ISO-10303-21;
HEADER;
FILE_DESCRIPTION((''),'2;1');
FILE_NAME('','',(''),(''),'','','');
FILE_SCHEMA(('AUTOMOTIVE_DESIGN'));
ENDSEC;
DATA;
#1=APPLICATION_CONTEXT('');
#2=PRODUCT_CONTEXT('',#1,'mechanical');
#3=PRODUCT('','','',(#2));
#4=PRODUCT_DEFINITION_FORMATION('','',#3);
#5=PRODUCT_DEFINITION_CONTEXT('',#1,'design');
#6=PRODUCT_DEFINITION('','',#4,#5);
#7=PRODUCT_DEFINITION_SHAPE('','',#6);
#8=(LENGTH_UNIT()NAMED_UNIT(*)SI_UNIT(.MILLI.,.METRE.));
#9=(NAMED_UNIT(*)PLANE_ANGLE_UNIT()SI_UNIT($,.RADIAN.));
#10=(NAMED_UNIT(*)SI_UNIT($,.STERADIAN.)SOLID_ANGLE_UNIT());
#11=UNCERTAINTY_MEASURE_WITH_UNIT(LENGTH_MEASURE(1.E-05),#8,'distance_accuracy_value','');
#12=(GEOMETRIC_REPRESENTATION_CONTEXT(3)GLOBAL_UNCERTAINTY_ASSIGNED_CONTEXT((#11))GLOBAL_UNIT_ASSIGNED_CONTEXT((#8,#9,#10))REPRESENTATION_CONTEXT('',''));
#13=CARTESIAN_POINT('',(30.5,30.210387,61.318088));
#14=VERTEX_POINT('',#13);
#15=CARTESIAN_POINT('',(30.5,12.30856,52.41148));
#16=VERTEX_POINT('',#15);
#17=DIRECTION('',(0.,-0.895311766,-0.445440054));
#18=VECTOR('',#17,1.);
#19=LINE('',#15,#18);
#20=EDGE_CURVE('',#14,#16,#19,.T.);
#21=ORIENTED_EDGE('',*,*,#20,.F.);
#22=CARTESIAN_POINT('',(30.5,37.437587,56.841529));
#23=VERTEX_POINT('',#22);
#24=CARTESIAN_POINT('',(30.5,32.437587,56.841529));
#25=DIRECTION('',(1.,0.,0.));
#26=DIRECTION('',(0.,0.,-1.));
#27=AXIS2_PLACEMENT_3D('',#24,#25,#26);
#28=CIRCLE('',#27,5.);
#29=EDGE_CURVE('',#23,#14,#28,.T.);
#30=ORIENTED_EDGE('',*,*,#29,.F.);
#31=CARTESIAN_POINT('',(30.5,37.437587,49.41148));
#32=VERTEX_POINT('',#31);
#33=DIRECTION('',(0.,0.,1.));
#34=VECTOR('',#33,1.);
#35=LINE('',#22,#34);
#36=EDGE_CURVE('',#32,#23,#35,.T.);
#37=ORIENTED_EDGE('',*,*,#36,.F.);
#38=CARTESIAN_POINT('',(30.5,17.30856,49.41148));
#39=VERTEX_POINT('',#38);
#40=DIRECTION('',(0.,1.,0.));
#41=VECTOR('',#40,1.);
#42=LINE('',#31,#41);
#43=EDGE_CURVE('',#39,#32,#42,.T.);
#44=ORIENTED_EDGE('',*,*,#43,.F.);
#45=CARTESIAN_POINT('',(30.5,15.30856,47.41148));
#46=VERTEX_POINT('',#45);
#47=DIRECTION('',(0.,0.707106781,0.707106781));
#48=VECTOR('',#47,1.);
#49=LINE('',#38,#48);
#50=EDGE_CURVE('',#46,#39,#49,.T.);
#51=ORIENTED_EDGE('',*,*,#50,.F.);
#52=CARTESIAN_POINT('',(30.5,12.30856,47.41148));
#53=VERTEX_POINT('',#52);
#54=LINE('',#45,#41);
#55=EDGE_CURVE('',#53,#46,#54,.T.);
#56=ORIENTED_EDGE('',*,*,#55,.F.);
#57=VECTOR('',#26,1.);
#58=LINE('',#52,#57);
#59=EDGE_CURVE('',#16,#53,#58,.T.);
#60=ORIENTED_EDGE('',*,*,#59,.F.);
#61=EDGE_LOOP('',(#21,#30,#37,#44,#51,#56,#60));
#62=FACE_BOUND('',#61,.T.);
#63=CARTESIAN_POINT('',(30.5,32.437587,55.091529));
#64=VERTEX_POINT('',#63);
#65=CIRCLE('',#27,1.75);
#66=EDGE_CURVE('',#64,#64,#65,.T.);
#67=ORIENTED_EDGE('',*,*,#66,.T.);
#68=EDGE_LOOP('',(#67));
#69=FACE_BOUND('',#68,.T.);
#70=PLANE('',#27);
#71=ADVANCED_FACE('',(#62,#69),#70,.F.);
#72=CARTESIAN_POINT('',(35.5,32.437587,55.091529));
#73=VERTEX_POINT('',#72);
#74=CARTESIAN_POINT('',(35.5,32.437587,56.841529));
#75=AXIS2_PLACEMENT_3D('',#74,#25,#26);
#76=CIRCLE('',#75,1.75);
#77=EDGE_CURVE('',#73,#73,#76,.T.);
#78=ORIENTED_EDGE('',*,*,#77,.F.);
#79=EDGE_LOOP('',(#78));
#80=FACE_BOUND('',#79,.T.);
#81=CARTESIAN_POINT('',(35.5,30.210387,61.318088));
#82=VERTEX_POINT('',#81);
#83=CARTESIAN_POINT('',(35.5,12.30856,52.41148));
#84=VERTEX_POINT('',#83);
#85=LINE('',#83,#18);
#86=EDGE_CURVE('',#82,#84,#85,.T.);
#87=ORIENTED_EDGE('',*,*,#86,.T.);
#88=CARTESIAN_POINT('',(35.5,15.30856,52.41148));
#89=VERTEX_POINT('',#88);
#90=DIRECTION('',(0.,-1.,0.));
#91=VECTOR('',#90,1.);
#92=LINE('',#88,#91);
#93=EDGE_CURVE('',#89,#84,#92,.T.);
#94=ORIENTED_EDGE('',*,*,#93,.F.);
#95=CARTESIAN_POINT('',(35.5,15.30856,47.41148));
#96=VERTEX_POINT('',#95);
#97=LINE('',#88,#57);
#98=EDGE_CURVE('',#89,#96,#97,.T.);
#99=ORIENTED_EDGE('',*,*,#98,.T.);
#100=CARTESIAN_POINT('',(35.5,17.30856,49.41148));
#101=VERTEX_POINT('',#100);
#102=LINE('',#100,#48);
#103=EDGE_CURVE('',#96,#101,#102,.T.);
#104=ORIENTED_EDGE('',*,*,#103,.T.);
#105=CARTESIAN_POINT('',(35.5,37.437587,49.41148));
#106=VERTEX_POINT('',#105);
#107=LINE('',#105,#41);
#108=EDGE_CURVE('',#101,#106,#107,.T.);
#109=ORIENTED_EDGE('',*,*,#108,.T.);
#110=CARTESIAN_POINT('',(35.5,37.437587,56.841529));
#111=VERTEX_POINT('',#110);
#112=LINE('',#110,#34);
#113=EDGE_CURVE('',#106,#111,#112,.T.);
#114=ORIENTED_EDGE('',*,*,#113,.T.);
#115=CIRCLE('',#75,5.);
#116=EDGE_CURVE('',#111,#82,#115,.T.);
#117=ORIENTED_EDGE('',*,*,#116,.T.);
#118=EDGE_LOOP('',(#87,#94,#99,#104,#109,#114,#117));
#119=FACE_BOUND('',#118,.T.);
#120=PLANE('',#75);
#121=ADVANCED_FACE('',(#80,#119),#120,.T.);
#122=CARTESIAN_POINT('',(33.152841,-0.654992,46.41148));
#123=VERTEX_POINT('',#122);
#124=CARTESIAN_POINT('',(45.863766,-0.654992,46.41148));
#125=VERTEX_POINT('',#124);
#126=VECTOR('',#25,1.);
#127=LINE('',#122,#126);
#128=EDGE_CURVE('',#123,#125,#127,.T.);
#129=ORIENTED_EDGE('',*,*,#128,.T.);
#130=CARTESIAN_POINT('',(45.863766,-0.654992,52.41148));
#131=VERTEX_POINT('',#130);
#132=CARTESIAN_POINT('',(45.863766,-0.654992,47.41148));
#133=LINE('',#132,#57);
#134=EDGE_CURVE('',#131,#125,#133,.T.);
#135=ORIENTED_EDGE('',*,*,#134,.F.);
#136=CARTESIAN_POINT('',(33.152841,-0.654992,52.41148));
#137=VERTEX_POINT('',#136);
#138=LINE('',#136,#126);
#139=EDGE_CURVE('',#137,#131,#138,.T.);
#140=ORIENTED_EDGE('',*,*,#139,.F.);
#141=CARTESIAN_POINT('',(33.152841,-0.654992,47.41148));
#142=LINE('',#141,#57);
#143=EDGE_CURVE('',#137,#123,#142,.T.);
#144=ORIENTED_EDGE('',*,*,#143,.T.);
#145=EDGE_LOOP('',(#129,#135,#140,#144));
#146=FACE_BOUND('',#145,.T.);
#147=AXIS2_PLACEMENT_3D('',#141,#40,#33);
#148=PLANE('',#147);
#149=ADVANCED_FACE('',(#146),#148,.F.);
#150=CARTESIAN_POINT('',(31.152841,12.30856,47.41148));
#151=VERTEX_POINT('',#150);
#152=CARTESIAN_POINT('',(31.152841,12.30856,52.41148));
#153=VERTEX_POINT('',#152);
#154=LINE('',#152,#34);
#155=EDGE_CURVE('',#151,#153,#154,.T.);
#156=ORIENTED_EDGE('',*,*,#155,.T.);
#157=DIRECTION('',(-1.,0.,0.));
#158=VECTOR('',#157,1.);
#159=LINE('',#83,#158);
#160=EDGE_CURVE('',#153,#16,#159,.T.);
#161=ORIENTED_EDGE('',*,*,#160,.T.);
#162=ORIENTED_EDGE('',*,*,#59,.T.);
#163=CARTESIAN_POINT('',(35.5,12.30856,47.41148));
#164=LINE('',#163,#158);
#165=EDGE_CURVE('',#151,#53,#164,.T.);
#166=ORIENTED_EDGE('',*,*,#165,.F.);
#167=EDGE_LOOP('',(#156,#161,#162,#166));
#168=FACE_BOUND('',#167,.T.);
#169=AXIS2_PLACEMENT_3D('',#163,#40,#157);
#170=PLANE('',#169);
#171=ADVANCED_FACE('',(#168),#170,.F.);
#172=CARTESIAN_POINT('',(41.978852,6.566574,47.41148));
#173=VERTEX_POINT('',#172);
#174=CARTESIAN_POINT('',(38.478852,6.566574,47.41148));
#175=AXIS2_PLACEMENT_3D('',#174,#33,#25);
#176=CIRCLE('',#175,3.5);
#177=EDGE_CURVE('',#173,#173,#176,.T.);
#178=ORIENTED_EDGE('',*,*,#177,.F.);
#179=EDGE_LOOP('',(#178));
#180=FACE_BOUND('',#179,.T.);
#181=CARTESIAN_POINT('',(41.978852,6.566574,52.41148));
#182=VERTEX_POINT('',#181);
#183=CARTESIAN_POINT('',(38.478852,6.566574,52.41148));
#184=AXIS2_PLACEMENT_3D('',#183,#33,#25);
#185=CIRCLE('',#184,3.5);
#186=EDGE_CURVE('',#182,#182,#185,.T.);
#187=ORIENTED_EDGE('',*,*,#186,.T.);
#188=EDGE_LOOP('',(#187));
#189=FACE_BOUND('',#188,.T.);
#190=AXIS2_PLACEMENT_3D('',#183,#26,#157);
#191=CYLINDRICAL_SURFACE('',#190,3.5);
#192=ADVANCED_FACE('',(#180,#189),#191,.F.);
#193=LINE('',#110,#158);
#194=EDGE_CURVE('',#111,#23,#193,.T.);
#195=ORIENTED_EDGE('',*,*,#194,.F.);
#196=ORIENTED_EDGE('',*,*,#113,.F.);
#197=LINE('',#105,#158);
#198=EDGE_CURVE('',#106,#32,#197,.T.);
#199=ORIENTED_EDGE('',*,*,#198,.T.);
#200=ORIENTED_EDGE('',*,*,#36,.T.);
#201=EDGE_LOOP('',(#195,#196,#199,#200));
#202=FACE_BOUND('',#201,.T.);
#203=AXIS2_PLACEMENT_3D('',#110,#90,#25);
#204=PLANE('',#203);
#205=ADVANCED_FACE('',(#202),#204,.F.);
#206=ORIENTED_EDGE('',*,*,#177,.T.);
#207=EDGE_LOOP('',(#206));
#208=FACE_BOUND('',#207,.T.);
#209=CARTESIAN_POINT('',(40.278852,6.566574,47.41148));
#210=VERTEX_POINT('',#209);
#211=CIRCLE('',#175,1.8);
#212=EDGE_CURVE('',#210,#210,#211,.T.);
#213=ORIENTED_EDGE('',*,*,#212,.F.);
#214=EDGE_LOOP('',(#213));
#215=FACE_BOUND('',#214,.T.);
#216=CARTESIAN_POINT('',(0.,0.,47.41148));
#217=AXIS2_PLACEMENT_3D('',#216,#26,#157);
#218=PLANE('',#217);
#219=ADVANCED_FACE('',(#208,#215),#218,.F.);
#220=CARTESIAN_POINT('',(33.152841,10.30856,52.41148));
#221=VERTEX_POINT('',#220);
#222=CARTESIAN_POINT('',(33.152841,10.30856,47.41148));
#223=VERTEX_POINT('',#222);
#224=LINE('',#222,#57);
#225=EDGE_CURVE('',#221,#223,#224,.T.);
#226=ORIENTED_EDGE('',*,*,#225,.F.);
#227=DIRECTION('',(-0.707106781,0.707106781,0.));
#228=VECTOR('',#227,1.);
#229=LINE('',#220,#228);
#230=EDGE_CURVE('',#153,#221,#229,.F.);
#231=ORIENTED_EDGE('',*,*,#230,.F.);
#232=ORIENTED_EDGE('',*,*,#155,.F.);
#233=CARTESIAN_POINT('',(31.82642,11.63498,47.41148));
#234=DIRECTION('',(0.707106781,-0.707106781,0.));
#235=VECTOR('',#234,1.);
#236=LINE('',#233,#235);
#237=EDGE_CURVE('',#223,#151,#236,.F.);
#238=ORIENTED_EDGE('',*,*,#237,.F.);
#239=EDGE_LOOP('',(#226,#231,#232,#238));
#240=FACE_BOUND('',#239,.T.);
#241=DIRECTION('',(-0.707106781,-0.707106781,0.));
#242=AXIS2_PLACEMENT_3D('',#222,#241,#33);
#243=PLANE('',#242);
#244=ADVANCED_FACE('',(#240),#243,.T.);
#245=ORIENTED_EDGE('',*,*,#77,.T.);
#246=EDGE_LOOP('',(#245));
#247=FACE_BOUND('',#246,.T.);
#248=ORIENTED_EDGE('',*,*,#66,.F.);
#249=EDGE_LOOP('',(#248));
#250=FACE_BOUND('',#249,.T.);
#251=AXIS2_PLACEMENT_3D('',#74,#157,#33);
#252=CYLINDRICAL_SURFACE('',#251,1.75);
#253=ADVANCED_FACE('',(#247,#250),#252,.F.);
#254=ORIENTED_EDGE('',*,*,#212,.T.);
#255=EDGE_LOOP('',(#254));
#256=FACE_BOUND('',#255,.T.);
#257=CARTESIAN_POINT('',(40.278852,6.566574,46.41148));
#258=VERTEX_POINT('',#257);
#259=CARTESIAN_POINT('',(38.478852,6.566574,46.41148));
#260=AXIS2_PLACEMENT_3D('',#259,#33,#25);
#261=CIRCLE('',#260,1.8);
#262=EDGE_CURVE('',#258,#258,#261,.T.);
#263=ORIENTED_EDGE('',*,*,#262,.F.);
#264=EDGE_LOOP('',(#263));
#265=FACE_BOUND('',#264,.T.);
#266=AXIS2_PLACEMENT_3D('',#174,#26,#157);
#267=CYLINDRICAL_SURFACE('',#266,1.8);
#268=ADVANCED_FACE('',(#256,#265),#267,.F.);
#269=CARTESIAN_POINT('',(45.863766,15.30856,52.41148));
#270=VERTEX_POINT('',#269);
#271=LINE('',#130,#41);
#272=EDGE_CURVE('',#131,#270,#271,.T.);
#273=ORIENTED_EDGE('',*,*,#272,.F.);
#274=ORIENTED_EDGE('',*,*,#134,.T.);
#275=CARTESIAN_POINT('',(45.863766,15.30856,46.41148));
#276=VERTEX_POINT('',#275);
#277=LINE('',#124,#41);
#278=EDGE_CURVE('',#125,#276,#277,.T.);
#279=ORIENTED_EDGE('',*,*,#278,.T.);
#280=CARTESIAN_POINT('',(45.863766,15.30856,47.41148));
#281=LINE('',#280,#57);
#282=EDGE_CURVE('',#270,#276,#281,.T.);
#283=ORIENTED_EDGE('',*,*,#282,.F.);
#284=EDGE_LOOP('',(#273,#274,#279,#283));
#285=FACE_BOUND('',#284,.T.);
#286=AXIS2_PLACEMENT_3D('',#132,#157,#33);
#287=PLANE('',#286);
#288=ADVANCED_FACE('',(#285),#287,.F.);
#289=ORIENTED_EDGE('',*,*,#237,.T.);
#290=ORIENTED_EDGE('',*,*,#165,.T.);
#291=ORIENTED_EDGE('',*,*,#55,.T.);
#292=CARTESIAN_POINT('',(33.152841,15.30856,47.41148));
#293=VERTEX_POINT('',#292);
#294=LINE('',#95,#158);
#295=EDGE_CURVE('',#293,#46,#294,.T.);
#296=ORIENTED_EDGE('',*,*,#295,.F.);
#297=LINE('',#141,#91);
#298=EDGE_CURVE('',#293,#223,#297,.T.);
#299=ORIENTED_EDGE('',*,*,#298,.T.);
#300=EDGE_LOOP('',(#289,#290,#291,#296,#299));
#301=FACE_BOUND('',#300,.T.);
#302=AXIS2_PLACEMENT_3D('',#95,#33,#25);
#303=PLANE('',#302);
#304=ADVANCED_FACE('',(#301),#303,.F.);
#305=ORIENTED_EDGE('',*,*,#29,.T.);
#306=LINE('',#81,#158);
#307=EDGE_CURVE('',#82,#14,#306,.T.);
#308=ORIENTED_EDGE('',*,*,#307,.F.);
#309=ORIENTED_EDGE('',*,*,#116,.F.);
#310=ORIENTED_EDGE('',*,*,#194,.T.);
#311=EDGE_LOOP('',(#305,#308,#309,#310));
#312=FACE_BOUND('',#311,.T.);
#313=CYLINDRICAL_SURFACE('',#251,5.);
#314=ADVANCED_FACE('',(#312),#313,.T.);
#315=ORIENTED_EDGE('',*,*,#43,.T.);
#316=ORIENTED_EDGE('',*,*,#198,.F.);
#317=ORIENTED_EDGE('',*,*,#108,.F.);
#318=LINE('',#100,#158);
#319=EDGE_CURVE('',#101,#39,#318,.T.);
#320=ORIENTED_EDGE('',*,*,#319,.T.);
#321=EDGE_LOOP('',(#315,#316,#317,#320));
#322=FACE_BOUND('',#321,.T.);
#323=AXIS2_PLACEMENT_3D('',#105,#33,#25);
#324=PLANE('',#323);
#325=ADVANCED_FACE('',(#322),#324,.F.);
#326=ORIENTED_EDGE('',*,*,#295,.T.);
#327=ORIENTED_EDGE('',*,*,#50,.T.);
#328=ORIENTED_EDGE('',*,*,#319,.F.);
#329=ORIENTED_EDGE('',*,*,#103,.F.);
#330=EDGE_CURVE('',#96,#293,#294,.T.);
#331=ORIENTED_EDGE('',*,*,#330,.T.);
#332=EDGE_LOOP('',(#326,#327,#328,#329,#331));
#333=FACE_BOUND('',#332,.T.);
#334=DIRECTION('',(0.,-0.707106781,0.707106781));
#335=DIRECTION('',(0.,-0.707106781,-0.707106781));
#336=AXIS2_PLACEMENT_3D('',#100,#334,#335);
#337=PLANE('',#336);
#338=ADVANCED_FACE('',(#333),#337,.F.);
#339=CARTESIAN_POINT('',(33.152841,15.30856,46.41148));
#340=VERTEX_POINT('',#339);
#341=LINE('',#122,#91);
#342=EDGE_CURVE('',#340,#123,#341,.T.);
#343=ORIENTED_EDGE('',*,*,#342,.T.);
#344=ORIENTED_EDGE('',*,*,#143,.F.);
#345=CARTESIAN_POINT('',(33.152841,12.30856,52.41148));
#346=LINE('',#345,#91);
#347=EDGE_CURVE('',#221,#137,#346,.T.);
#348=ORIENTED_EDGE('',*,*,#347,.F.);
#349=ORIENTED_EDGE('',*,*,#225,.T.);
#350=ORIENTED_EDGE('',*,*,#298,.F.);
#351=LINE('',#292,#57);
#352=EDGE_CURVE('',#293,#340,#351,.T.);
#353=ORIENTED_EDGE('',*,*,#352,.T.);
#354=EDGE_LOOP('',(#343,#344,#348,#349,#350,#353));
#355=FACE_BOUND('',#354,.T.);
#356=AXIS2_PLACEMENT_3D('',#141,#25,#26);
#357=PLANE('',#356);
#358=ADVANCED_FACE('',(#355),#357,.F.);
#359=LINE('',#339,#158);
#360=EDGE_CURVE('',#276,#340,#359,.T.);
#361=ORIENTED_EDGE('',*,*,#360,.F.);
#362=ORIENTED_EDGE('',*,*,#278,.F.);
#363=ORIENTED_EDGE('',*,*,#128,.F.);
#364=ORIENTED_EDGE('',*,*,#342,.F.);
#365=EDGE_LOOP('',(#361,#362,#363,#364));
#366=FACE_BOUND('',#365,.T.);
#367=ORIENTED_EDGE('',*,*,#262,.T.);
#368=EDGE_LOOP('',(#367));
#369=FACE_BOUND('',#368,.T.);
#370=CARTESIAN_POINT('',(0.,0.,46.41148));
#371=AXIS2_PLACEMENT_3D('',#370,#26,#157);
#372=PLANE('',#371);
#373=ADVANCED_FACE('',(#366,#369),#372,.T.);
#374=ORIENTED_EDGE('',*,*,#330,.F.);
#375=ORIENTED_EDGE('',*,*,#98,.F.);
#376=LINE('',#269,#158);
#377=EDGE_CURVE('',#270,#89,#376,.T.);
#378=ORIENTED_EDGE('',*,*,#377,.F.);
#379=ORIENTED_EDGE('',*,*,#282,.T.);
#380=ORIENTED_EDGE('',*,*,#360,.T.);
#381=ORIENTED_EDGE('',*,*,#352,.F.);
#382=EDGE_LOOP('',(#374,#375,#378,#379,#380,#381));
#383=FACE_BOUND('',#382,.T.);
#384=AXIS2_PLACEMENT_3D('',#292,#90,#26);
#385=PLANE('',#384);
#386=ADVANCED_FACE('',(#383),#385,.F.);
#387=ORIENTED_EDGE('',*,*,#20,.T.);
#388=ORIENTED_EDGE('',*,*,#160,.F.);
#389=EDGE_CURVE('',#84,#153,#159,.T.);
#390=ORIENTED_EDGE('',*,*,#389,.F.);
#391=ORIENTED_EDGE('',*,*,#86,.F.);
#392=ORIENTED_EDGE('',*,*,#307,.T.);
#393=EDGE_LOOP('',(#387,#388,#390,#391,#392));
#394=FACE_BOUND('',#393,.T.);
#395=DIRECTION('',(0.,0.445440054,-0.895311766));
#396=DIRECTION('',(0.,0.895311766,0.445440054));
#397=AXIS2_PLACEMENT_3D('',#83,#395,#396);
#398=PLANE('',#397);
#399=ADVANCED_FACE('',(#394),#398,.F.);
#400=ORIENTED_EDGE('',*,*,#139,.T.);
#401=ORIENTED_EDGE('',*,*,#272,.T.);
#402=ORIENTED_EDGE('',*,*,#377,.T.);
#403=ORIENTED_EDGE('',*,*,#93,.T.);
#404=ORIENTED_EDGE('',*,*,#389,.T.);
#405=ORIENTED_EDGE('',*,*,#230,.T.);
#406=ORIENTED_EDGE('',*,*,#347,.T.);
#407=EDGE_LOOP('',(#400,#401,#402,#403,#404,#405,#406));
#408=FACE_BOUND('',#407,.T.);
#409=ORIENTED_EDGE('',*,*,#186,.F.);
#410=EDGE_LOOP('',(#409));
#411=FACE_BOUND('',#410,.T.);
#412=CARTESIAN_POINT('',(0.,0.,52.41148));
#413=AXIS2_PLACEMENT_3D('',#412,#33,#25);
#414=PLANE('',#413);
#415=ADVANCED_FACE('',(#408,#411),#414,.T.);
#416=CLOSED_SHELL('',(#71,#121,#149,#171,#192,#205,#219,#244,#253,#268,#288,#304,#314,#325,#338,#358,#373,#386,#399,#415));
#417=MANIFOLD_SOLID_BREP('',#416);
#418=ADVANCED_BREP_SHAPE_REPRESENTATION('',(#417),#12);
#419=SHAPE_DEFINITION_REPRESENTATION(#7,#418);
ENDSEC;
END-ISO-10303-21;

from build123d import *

# Parameters (mm, degrees)
SKETCH1_W           = 12.710924787
SKETCH1_H           = 15.963552005
SKETCH1_R           = 1.8
BOSS_EXTRUDE1_DEPTH = 1
SKETCH2_R           = 1.75
BOSS_EXTRUDE2_DEPTH = 5
SKETCH3_R           = 3.5
BOSS_EXTRUDE3_DEPTH = 5
CHAMFER1_SIZE       = 2


with BuildPart() as part:
    # Sketch1 → Boss-Extrude1 (new body)
    with BuildSketch(Plane.XY.offset(46.41148)):
        with Locations((39.508303211, 7.326783953)):
            Rectangle(SKETCH1_W, SKETCH1_H)
        with Locations((38.478852397, 6.566573863)):
            Circle(SKETCH1_R, mode=Mode.SUBTRACT)
    extrude(amount=BOSS_EXTRUDE1_DEPTH)

    # Sketch2 → Boss-Extrude2 (add)
    with BuildSketch(Plane(origin=(30.5, 0, 0), x_dir=(0, 0, -1), z_dir=(1, 0, 0))):
        with BuildLine():
            Line((-56.841529107, 37.437587441), (-49.41148, 37.437587441))
            Line((-49.41148, 37.437587441), (-49.41148, 17.308559955))
            Line((-49.41148, 17.308559955), (-47.41148, 15.308559955))
            Line((-47.41148, 15.308559955), (-47.41148, 12.308559955))
            Line((-47.41148, 12.308559955), (-52.41148, 12.308559955))
            Line((-52.41148, 12.308559955), (-61.318087937, 30.210387171))
            ThreePointArc((-61.318087937, 30.210387171), (-61.092176196, 35.07045647), (-56.841529107, 37.437587441))
        make_face()
        with Locations((-56.841529107, 32.437587441)):
            Circle(SKETCH2_R, mode=Mode.SUBTRACT)
    extrude(amount=BOSS_EXTRUDE2_DEPTH)

    # Sketch3 → Boss-Extrude3 (add)
    with BuildSketch(Plane.XY.offset(47.41148)):
        Polygon((35.5, 15.308559955), (35.5, 12.308559955), (33.152840817, 12.308559955), (33.152840817, -0.65499205), (45.863765604, -0.65499205), (45.863765604, 15.308559955), align=None)
        with Locations((38.478852397, 6.566573863)):
            Circle(SKETCH3_R, mode=Mode.SUBTRACT)
    extrude(amount=BOSS_EXTRUDE3_DEPTH)

    # Chamfer1
    chamfer1_edges = [part.edges().sort_by_distance(p)[0] for p in [
        (33.152840817, 12.308559955, 49.91148),
    ]]
    chamfer(chamfer1_edges, length=CHAMFER1_SIZE)


solid = part.part
